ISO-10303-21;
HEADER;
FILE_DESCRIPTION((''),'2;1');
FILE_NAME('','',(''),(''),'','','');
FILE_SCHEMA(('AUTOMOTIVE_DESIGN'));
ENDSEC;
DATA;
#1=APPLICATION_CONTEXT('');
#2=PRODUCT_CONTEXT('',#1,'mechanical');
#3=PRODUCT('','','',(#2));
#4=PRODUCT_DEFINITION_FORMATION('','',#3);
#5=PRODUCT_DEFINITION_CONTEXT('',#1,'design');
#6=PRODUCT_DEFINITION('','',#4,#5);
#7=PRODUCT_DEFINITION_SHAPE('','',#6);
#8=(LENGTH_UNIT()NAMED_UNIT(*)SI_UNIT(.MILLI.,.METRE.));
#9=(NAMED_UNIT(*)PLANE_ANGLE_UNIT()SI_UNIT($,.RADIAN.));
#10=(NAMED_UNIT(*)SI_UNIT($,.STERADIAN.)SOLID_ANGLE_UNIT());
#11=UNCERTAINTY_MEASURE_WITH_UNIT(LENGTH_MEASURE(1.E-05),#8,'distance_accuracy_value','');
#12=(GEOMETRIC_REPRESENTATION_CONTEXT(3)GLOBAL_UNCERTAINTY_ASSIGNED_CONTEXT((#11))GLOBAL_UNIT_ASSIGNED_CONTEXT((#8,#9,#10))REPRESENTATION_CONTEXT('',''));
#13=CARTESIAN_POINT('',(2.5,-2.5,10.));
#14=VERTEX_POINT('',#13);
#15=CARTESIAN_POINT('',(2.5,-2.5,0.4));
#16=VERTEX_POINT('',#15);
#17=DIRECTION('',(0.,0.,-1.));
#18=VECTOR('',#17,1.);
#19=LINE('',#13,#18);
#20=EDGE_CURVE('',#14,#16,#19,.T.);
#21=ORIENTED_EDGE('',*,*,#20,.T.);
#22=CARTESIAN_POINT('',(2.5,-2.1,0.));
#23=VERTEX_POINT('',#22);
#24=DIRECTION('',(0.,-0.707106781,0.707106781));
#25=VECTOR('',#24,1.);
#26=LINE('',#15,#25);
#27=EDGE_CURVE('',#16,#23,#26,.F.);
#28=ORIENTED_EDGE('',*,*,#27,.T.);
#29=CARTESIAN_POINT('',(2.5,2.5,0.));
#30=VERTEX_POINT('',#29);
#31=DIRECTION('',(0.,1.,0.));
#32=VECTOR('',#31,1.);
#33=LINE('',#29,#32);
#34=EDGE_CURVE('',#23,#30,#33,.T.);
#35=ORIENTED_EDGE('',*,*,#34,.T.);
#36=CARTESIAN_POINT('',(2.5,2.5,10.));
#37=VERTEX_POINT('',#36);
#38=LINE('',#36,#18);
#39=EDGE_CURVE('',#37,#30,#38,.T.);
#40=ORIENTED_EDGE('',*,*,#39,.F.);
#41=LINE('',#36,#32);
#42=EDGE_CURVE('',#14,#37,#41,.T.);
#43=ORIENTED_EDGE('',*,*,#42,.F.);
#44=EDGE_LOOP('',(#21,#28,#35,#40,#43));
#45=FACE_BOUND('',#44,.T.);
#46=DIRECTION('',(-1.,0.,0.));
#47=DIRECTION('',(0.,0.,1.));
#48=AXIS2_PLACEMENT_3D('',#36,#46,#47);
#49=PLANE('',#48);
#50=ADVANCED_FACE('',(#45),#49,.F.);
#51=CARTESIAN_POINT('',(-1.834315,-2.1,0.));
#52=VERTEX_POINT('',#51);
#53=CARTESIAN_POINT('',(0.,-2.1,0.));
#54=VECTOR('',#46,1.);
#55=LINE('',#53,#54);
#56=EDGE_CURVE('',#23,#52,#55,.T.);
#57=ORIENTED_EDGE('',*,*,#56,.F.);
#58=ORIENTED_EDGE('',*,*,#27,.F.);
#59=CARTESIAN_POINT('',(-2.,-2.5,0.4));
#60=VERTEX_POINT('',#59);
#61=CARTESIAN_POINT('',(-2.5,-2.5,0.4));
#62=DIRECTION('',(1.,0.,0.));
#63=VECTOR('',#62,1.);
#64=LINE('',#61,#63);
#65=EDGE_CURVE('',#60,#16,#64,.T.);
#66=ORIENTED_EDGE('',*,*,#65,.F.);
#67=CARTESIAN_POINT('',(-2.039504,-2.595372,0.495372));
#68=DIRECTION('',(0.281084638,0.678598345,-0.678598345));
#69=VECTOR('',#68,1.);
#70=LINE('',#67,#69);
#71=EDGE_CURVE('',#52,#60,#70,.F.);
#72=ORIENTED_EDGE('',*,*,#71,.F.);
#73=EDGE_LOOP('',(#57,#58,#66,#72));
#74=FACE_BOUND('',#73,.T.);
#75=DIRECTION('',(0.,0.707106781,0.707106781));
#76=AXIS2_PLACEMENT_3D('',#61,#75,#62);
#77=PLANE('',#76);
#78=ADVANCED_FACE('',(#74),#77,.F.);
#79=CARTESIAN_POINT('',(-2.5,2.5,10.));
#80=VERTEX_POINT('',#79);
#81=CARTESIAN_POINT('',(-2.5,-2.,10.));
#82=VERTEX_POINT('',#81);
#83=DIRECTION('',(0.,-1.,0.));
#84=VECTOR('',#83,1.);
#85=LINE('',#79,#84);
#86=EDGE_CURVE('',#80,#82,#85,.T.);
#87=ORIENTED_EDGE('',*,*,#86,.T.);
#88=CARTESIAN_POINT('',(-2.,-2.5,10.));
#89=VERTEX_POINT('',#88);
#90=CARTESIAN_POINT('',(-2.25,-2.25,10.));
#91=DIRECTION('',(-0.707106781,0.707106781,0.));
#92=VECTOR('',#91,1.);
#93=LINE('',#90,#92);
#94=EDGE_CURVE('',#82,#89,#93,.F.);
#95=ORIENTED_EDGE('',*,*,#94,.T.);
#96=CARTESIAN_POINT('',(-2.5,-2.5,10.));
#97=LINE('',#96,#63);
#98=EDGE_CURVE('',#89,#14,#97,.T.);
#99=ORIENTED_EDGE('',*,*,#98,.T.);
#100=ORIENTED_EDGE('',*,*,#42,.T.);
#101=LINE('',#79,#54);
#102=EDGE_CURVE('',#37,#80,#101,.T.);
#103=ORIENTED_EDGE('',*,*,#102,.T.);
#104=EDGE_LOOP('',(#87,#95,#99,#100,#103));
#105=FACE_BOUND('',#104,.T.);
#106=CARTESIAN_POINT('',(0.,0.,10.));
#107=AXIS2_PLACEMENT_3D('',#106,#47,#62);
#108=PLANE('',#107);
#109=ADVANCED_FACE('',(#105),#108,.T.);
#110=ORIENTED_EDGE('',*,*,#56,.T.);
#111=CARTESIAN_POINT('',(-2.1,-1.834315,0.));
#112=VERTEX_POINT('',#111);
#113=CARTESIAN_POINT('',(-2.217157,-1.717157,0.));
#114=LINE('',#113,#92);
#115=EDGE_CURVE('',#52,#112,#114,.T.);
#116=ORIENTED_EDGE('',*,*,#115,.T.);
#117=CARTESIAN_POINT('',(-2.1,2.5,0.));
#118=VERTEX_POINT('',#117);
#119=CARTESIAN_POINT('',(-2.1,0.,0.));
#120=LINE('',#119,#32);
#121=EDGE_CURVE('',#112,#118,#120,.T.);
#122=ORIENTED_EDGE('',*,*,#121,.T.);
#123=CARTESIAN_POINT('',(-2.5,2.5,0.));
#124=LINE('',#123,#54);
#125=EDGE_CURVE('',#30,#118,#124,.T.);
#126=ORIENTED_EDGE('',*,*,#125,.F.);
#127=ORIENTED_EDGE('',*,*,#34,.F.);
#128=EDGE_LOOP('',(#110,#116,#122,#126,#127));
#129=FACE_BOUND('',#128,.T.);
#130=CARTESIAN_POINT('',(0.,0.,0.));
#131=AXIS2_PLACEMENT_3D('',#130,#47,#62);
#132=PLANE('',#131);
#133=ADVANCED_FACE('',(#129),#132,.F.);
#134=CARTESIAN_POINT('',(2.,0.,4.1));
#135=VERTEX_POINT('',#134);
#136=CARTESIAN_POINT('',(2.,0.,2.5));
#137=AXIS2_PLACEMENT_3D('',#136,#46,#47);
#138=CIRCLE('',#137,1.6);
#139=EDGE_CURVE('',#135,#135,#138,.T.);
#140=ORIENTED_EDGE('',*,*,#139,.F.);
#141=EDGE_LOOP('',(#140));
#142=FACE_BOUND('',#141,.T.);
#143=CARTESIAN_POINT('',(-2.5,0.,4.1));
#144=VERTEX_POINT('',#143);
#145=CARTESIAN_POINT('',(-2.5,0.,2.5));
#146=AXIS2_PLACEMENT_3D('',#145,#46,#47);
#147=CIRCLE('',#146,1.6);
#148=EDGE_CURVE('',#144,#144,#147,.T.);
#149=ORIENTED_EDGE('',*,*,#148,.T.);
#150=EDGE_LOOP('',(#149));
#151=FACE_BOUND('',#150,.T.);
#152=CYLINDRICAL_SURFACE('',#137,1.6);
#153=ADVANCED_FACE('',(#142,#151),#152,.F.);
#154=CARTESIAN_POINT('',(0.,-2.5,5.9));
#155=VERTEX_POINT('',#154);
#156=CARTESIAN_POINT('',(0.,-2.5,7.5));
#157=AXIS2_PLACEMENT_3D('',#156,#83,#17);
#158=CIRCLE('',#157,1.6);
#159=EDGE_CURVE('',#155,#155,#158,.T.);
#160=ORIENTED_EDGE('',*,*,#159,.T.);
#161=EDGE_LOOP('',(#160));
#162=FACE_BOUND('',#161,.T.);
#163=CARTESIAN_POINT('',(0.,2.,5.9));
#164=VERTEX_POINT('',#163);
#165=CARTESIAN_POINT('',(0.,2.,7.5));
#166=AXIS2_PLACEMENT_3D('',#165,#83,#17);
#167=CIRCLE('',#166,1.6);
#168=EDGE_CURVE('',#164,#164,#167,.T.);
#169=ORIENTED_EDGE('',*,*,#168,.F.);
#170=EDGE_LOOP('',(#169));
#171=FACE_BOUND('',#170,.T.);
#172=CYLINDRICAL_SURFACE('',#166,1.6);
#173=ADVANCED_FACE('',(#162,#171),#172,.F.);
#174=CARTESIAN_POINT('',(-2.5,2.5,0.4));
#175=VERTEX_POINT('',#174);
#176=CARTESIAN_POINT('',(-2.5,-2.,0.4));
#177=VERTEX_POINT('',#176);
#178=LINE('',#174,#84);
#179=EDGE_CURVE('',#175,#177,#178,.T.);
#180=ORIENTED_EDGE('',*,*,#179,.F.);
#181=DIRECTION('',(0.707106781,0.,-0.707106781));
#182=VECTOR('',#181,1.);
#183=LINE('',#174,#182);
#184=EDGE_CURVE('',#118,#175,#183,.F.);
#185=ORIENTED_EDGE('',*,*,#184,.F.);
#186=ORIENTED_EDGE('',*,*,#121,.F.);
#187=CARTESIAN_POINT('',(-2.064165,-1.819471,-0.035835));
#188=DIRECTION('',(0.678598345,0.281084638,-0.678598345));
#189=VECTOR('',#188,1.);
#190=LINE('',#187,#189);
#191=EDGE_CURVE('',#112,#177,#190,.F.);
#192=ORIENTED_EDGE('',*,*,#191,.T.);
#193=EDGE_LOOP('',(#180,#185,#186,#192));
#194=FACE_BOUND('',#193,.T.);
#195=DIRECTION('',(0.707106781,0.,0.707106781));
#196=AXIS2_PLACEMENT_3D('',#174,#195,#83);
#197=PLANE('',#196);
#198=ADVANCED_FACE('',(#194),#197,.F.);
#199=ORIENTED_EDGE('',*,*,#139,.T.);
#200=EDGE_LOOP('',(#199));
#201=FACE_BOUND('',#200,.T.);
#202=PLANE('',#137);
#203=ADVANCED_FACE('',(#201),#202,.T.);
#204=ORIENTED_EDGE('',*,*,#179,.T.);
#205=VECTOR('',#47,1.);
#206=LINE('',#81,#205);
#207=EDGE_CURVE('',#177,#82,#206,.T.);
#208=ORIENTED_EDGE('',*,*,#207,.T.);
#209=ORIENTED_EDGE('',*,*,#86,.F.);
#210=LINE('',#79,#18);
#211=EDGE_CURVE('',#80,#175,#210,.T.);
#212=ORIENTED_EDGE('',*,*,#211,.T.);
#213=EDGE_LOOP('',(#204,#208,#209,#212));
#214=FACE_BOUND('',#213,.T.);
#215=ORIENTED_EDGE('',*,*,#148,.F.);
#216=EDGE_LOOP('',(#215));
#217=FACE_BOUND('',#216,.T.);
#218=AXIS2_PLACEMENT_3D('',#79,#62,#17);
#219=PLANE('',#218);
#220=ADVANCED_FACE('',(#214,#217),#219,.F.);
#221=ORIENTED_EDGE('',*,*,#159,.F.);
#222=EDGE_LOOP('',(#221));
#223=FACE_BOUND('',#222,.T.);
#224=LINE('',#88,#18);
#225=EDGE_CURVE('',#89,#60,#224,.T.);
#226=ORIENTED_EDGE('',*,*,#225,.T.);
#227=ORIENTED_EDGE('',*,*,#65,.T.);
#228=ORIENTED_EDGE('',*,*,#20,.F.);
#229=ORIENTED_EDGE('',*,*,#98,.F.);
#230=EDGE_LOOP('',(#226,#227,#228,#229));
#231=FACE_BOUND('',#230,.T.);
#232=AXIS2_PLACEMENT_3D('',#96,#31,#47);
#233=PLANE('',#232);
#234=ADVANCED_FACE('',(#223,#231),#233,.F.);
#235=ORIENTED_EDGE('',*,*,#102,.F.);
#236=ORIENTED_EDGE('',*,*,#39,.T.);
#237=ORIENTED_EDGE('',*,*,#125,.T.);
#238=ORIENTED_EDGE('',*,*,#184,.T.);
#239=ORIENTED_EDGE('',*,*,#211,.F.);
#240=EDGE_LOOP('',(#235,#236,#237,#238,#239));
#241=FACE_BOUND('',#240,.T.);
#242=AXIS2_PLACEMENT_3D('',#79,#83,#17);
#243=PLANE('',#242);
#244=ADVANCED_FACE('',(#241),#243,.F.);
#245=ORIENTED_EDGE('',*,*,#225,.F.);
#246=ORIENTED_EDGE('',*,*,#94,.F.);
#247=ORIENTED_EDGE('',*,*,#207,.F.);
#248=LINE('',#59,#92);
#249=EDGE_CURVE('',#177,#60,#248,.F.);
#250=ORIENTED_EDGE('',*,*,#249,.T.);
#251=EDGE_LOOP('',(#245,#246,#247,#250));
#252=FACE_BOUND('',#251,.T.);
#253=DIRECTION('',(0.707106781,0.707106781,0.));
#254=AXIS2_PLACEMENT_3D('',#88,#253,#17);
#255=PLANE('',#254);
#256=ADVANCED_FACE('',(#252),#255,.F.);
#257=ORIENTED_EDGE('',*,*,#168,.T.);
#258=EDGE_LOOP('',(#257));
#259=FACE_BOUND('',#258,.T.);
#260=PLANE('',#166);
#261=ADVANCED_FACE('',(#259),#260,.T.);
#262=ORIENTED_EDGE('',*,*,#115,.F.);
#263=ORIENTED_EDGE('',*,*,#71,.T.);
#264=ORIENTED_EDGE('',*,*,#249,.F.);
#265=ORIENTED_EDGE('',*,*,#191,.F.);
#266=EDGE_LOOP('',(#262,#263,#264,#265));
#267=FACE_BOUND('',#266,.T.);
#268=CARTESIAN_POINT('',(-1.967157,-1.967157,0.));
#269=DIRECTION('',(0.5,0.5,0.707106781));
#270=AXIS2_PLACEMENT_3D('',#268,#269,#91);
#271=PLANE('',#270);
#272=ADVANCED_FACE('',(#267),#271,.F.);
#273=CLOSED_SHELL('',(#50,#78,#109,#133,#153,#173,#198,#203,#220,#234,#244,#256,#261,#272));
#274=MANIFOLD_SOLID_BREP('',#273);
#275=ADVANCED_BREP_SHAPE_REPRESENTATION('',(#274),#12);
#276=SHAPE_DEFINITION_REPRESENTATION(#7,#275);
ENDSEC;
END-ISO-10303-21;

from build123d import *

# Parameters (mm, degrees)
SKETCH1_W           = 5
SKETCH1_H           = 5
BOSS_EXTRUDE1_DEPTH = 10
SKETCH4_R           = 1.6
CUT_EXTRUDE3_DEPTH  = 4.5
SKETCH5_R           = 1.6
CUT_EXTRUDE4_DEPTH  = 4.5
CHAMFER1_SIZE       = 0.5
CHAMFER4_SIZE       = 0.4


with BuildPart() as part:
    # Sketch1 → Boss-Extrude1 (new body)
    with BuildSketch(Plane.XY):
        Rectangle(SKETCH1_W, SKETCH1_H)
    extrude(amount=BOSS_EXTRUDE1_DEPTH)

    # Sketch4 → Cut-Extrude3 (cut)
    with BuildSketch(Plane.XZ.offset(2.5)):
        with Locations((0, 7.5)):
            Circle(SKETCH4_R)
    extrude(amount=-CUT_EXTRUDE3_DEPTH, mode=Mode.SUBTRACT)

    # Sketch5 → Cut-Extrude4 (cut)
    with BuildSketch(Plane.ZY.offset(2.5)):
        with Locations((2.5, 0)):
            Circle(SKETCH5_R)
    extrude(amount=-CUT_EXTRUDE4_DEPTH, mode=Mode.SUBTRACT)

    # Chamfer1
    chamfer1_edges = [part.edges().sort_by_distance(p)[0] for p in [
        (-2.5, -2.5, 5),
    ]]
    chamfer(chamfer1_edges, length=CHAMFER1_SIZE)

    # Chamfer4
    chamfer4_edges = [part.edges().sort_by_distance(p)[0] for p in [
        (0.25, -2.5, 0),
        (-2.25, -2.25, 0),
        (-2.5, 0.25, 0),
    ]]
    chamfer(chamfer4_edges, length=CHAMFER4_SIZE)


solid = part.part
